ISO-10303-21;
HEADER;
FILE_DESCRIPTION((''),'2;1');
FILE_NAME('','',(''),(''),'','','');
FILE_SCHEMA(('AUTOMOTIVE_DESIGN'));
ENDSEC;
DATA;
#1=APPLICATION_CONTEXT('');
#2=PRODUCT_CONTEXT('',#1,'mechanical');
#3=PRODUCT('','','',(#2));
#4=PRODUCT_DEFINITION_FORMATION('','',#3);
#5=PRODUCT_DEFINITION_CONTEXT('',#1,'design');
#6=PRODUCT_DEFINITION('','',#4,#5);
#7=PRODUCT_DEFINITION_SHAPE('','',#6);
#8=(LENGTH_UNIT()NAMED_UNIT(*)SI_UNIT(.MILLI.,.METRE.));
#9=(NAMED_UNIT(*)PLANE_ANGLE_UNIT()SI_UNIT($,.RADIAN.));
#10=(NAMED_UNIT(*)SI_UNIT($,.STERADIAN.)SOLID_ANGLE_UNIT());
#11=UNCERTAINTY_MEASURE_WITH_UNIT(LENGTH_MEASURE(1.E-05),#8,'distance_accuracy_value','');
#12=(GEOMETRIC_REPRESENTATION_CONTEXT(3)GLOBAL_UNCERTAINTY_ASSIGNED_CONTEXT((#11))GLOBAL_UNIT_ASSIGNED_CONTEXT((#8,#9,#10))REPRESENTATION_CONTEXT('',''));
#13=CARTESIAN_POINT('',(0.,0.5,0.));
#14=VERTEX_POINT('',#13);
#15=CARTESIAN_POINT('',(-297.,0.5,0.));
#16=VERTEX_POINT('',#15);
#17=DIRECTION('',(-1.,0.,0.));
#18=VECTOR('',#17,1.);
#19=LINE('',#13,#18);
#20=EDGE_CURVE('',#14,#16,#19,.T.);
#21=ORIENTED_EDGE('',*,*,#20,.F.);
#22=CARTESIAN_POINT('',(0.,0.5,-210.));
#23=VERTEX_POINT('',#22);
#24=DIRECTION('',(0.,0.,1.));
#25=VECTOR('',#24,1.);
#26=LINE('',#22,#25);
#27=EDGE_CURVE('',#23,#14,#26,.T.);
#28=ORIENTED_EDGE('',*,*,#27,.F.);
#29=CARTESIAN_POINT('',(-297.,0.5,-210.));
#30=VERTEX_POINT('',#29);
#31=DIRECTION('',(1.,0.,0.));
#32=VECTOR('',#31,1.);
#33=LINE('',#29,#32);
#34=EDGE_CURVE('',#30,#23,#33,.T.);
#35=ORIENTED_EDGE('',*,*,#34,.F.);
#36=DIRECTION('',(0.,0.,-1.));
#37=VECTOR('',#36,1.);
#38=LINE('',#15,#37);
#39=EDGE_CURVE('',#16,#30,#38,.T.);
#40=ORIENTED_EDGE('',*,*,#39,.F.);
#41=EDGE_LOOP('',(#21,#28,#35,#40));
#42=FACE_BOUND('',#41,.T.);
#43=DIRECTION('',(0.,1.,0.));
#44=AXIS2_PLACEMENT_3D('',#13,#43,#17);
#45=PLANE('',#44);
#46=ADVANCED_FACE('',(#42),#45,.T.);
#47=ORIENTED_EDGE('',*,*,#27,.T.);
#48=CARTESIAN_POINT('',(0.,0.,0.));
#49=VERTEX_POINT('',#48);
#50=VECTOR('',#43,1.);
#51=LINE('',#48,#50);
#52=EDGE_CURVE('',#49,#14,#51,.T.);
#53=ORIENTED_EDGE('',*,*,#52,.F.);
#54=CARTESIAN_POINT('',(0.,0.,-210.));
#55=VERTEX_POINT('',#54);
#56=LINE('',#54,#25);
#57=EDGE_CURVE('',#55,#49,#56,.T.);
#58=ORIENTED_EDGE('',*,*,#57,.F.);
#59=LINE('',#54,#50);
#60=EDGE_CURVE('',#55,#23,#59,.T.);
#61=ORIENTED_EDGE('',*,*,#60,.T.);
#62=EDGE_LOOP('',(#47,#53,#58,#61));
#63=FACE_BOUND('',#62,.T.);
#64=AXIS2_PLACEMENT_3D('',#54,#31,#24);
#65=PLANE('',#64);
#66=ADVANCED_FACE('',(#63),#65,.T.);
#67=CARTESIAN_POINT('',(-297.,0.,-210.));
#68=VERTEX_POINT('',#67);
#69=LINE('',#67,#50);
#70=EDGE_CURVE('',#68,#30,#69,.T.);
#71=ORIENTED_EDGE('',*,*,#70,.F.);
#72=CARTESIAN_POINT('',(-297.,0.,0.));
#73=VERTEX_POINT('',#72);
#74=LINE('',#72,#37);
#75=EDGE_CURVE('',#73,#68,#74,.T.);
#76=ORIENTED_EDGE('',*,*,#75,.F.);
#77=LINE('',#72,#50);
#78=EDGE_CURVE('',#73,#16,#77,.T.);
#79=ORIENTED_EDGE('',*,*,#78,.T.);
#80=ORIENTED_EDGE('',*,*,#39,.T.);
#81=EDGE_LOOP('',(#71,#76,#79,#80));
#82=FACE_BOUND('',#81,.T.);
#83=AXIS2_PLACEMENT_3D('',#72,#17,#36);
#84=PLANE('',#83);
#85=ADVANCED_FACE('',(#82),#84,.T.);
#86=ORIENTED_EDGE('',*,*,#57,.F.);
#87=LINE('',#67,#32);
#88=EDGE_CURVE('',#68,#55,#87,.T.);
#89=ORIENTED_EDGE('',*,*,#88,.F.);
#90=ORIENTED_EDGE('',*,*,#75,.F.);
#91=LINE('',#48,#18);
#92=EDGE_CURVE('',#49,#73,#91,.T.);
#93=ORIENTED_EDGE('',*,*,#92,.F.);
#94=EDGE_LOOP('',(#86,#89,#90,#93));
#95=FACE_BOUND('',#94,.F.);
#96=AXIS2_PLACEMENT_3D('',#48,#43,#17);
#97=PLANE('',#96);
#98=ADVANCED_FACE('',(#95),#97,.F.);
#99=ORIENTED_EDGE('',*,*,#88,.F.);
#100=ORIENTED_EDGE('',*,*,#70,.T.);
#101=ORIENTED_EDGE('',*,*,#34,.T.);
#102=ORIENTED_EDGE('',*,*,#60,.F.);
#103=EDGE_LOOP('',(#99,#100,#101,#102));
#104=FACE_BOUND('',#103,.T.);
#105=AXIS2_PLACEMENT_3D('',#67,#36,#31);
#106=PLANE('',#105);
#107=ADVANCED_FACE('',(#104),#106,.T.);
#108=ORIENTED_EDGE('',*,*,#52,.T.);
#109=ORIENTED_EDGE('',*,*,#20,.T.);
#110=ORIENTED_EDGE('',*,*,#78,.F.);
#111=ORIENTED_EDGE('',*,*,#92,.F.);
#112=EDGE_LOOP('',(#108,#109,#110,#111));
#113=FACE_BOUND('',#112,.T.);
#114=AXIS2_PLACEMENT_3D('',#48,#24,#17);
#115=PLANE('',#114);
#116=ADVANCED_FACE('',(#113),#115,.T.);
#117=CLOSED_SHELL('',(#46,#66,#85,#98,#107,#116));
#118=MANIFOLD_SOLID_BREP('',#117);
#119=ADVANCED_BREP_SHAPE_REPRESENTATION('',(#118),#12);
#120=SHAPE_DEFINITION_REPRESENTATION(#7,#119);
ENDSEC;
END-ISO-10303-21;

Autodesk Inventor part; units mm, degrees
ref_plane "YZ Plane" through (0, 0, 0) normal (1, 0, 0) x (0, 1, 0)
ref_plane "XZ Plane" through (0, 0, 0) normal (0, 1, 0) x (-1, 0, 0)
ref_plane "XY Plane" through (0, 0, 0) normal (0, 0, 1) x (1, 0, 0)
sketch "Esquisse1" plane through (0, 0, 0) normal (0, 1, 0) x (-1, 0, 0)
  line L0 (0, 0) -> (297, 0)
  line L1 (297, 0) -> (297, -210)
  line L2 (297, -210) -> (0, -210)
  line L3 (0, -210) -> (0, 0)
  dimension "d3" = 297
  dimension "d4" = 210
extrude "Extrusion1" add sketch "Esquisse1" along normal blind 0.5
properties part number "liaison"
